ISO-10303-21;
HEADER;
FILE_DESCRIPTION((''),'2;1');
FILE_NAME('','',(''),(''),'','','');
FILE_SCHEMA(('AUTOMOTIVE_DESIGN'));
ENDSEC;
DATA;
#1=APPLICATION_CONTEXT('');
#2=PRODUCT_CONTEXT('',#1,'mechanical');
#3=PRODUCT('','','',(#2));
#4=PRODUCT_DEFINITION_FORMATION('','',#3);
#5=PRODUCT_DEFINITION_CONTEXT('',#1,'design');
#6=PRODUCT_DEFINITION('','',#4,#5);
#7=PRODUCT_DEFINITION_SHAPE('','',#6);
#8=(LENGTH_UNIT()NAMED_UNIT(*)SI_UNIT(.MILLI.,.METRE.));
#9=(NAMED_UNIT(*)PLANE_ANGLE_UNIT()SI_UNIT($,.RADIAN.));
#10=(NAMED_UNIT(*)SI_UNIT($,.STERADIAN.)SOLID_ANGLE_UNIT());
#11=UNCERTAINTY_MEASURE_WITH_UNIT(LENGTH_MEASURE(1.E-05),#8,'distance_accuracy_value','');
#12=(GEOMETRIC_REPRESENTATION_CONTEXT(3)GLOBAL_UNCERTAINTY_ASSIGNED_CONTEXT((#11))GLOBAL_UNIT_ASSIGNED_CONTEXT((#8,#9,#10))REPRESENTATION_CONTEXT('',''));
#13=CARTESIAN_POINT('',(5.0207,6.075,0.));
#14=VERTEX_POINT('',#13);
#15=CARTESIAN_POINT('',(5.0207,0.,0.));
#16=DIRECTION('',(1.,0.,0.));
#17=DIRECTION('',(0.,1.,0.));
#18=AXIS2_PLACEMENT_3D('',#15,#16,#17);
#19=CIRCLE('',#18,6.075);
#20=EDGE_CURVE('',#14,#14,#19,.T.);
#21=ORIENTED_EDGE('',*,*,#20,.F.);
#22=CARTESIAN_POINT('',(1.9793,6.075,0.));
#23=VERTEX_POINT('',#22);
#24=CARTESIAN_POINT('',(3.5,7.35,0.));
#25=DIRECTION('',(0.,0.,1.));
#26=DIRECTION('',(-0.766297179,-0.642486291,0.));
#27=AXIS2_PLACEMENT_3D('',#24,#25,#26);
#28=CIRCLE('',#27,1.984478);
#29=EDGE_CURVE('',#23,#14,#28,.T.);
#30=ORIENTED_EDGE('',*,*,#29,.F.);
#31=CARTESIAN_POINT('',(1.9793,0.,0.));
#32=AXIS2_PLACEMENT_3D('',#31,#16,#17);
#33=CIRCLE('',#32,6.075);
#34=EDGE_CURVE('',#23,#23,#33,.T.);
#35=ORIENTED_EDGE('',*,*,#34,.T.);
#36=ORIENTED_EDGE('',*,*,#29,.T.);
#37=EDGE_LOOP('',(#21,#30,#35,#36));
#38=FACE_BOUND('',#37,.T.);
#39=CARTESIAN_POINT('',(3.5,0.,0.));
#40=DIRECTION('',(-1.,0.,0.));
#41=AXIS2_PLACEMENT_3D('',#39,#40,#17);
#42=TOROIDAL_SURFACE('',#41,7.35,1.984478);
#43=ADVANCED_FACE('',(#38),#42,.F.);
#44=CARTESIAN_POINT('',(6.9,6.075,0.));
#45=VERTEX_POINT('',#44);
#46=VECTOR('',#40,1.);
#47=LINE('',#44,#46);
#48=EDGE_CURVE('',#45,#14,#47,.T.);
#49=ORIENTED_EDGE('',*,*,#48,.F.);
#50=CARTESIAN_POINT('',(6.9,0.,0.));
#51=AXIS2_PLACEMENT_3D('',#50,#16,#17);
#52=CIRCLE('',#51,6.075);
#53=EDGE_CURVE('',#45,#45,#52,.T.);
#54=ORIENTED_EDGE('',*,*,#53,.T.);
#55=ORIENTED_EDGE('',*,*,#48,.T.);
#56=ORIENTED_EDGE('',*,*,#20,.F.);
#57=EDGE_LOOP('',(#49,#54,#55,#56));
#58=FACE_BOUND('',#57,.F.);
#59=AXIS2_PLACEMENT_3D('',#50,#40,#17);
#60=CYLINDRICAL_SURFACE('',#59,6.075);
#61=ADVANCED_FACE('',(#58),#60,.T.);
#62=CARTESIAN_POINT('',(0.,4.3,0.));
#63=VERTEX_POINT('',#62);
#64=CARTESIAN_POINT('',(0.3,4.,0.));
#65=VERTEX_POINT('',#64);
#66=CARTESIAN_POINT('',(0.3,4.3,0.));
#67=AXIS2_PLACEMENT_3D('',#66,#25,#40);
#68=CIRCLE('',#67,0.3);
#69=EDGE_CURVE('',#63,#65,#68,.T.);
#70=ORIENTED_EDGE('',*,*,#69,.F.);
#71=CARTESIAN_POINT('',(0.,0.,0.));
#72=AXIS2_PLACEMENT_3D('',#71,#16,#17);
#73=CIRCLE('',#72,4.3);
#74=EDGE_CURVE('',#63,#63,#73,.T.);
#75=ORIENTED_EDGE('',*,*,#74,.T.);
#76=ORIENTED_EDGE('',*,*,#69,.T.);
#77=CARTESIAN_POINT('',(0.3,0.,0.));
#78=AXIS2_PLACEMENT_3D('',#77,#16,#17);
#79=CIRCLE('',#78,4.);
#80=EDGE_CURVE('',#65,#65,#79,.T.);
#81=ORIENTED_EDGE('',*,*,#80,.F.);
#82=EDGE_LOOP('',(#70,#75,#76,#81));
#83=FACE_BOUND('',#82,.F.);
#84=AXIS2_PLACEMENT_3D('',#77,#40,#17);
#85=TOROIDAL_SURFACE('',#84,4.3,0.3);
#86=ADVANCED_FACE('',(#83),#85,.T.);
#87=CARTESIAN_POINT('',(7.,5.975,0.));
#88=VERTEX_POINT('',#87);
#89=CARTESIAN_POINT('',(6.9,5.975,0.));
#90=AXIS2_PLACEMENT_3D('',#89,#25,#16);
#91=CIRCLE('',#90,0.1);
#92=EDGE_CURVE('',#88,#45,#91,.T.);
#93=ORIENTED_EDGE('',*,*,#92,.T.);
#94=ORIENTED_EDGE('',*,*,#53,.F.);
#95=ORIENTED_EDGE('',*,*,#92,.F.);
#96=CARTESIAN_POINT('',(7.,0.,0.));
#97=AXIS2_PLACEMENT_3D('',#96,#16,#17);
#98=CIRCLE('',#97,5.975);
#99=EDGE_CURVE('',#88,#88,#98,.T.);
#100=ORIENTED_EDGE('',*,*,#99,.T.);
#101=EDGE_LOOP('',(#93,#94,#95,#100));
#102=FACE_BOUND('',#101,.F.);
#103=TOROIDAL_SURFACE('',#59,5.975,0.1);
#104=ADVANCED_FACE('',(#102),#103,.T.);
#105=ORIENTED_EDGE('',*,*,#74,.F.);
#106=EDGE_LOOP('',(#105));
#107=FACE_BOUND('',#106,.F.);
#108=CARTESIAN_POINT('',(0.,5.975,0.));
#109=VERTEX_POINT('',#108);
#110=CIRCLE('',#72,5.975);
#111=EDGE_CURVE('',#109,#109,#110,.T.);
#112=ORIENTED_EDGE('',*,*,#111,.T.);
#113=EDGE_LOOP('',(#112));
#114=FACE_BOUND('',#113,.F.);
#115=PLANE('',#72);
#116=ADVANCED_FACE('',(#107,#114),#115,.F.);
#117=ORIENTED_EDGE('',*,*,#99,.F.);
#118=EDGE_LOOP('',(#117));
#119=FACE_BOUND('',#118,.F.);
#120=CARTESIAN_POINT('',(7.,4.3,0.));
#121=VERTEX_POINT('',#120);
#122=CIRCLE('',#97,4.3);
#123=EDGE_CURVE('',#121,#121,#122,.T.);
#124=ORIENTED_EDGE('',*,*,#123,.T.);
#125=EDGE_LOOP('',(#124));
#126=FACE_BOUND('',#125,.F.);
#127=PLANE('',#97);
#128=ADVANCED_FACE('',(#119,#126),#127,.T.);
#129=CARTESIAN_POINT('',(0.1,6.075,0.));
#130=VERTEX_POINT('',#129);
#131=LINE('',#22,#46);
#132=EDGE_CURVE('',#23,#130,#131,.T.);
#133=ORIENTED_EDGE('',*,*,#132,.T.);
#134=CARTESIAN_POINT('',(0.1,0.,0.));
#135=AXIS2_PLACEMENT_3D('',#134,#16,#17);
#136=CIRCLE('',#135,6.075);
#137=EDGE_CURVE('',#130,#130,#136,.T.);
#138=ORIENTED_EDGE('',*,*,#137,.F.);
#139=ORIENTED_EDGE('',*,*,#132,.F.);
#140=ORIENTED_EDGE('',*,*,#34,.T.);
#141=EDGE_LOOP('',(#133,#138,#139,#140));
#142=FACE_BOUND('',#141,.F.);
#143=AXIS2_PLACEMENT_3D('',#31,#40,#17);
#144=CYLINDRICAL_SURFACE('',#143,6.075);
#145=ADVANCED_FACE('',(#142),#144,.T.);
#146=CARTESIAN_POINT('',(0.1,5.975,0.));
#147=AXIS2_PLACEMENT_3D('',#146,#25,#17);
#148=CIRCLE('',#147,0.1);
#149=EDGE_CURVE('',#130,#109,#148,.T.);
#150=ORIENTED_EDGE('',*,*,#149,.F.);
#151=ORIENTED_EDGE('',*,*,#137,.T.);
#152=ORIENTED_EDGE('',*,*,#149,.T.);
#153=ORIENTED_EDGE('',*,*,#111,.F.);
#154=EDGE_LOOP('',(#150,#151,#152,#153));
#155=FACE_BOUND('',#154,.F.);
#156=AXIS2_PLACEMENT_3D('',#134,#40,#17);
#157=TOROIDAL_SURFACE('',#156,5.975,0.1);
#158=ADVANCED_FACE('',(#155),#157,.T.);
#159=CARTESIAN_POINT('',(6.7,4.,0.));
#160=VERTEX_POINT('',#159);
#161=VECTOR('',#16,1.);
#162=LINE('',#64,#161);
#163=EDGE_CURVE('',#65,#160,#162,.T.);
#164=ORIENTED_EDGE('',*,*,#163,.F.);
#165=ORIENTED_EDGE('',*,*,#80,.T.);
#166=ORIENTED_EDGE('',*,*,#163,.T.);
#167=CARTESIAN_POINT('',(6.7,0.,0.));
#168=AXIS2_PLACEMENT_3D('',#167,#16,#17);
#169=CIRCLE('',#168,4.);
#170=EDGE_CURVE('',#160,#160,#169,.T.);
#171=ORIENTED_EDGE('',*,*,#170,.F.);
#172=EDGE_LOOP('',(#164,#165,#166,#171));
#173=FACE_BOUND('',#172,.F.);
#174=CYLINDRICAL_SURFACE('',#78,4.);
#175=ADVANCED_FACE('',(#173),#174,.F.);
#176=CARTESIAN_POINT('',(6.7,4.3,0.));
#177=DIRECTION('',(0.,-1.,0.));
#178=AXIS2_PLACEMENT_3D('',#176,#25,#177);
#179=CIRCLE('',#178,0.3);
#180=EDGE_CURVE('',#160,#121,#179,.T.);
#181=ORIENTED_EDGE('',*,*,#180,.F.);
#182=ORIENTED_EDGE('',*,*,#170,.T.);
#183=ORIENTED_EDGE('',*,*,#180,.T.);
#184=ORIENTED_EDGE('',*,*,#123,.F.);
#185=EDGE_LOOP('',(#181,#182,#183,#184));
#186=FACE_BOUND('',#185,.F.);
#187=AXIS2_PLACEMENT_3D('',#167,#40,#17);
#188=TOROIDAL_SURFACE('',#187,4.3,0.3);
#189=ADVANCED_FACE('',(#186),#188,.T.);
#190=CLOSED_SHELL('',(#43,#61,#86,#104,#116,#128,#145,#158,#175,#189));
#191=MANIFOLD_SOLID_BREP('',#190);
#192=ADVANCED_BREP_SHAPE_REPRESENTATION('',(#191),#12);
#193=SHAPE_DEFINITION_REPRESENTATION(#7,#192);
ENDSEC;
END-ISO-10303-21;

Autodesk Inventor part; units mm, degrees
ref_plane "YZ Plane" through (0, 0, 0) normal (1, 0, 0) x (0, 1, 0)
ref_plane "XZ Plane" through (0, 0, 0) normal (0, 1, 0) x (-1, 0, 0)
ref_plane "XY Plane" through (0, 0, 0) normal (0, 0, 1) x (1, 0, 0)
sketch "Sketch_54" plane through (0, 0, 0) normal (0, 0, 1) x (1, 0, 0)
  line L0 (100, 0) -> (-100, 0)
  arc A0 (0, 4.3) -> (0.3, 4) centre (0.3, 4.3) ccw
  line L1 (0.3, 4) -> (6.7, 4)
  arc A1 (6.7, 4) -> (7, 4.3) centre (6.7, 4.3) ccw
  line L2 (7, 4.3) -> (7, 5.975)
  arc A2 (7, 5.975) -> (6.9, 6.075) centre (6.9, 5.975) ccw
  line L3 (6.9, 6.075) -> (5.0207, 6.075)
  arc A3 (1.9793, 6.075) -> (5.0207, 6.075) centre (3.5, 7.35) ccw
  line L4 (1.9793, 6.075) -> (0.1, 6.075)
  arc A4 (0.1, 6.075) -> (0, 5.975) centre (0.1, 5.975) ccw
  line L5 (0, 5.975) -> (0, 4.3)
revolve "Revolution1" add sketch "Sketch_54" angle 360 about axis through (100, 0, 0) along (1, 0, 0)
properties part number "SKF_608_PART1" material "Stahl"
